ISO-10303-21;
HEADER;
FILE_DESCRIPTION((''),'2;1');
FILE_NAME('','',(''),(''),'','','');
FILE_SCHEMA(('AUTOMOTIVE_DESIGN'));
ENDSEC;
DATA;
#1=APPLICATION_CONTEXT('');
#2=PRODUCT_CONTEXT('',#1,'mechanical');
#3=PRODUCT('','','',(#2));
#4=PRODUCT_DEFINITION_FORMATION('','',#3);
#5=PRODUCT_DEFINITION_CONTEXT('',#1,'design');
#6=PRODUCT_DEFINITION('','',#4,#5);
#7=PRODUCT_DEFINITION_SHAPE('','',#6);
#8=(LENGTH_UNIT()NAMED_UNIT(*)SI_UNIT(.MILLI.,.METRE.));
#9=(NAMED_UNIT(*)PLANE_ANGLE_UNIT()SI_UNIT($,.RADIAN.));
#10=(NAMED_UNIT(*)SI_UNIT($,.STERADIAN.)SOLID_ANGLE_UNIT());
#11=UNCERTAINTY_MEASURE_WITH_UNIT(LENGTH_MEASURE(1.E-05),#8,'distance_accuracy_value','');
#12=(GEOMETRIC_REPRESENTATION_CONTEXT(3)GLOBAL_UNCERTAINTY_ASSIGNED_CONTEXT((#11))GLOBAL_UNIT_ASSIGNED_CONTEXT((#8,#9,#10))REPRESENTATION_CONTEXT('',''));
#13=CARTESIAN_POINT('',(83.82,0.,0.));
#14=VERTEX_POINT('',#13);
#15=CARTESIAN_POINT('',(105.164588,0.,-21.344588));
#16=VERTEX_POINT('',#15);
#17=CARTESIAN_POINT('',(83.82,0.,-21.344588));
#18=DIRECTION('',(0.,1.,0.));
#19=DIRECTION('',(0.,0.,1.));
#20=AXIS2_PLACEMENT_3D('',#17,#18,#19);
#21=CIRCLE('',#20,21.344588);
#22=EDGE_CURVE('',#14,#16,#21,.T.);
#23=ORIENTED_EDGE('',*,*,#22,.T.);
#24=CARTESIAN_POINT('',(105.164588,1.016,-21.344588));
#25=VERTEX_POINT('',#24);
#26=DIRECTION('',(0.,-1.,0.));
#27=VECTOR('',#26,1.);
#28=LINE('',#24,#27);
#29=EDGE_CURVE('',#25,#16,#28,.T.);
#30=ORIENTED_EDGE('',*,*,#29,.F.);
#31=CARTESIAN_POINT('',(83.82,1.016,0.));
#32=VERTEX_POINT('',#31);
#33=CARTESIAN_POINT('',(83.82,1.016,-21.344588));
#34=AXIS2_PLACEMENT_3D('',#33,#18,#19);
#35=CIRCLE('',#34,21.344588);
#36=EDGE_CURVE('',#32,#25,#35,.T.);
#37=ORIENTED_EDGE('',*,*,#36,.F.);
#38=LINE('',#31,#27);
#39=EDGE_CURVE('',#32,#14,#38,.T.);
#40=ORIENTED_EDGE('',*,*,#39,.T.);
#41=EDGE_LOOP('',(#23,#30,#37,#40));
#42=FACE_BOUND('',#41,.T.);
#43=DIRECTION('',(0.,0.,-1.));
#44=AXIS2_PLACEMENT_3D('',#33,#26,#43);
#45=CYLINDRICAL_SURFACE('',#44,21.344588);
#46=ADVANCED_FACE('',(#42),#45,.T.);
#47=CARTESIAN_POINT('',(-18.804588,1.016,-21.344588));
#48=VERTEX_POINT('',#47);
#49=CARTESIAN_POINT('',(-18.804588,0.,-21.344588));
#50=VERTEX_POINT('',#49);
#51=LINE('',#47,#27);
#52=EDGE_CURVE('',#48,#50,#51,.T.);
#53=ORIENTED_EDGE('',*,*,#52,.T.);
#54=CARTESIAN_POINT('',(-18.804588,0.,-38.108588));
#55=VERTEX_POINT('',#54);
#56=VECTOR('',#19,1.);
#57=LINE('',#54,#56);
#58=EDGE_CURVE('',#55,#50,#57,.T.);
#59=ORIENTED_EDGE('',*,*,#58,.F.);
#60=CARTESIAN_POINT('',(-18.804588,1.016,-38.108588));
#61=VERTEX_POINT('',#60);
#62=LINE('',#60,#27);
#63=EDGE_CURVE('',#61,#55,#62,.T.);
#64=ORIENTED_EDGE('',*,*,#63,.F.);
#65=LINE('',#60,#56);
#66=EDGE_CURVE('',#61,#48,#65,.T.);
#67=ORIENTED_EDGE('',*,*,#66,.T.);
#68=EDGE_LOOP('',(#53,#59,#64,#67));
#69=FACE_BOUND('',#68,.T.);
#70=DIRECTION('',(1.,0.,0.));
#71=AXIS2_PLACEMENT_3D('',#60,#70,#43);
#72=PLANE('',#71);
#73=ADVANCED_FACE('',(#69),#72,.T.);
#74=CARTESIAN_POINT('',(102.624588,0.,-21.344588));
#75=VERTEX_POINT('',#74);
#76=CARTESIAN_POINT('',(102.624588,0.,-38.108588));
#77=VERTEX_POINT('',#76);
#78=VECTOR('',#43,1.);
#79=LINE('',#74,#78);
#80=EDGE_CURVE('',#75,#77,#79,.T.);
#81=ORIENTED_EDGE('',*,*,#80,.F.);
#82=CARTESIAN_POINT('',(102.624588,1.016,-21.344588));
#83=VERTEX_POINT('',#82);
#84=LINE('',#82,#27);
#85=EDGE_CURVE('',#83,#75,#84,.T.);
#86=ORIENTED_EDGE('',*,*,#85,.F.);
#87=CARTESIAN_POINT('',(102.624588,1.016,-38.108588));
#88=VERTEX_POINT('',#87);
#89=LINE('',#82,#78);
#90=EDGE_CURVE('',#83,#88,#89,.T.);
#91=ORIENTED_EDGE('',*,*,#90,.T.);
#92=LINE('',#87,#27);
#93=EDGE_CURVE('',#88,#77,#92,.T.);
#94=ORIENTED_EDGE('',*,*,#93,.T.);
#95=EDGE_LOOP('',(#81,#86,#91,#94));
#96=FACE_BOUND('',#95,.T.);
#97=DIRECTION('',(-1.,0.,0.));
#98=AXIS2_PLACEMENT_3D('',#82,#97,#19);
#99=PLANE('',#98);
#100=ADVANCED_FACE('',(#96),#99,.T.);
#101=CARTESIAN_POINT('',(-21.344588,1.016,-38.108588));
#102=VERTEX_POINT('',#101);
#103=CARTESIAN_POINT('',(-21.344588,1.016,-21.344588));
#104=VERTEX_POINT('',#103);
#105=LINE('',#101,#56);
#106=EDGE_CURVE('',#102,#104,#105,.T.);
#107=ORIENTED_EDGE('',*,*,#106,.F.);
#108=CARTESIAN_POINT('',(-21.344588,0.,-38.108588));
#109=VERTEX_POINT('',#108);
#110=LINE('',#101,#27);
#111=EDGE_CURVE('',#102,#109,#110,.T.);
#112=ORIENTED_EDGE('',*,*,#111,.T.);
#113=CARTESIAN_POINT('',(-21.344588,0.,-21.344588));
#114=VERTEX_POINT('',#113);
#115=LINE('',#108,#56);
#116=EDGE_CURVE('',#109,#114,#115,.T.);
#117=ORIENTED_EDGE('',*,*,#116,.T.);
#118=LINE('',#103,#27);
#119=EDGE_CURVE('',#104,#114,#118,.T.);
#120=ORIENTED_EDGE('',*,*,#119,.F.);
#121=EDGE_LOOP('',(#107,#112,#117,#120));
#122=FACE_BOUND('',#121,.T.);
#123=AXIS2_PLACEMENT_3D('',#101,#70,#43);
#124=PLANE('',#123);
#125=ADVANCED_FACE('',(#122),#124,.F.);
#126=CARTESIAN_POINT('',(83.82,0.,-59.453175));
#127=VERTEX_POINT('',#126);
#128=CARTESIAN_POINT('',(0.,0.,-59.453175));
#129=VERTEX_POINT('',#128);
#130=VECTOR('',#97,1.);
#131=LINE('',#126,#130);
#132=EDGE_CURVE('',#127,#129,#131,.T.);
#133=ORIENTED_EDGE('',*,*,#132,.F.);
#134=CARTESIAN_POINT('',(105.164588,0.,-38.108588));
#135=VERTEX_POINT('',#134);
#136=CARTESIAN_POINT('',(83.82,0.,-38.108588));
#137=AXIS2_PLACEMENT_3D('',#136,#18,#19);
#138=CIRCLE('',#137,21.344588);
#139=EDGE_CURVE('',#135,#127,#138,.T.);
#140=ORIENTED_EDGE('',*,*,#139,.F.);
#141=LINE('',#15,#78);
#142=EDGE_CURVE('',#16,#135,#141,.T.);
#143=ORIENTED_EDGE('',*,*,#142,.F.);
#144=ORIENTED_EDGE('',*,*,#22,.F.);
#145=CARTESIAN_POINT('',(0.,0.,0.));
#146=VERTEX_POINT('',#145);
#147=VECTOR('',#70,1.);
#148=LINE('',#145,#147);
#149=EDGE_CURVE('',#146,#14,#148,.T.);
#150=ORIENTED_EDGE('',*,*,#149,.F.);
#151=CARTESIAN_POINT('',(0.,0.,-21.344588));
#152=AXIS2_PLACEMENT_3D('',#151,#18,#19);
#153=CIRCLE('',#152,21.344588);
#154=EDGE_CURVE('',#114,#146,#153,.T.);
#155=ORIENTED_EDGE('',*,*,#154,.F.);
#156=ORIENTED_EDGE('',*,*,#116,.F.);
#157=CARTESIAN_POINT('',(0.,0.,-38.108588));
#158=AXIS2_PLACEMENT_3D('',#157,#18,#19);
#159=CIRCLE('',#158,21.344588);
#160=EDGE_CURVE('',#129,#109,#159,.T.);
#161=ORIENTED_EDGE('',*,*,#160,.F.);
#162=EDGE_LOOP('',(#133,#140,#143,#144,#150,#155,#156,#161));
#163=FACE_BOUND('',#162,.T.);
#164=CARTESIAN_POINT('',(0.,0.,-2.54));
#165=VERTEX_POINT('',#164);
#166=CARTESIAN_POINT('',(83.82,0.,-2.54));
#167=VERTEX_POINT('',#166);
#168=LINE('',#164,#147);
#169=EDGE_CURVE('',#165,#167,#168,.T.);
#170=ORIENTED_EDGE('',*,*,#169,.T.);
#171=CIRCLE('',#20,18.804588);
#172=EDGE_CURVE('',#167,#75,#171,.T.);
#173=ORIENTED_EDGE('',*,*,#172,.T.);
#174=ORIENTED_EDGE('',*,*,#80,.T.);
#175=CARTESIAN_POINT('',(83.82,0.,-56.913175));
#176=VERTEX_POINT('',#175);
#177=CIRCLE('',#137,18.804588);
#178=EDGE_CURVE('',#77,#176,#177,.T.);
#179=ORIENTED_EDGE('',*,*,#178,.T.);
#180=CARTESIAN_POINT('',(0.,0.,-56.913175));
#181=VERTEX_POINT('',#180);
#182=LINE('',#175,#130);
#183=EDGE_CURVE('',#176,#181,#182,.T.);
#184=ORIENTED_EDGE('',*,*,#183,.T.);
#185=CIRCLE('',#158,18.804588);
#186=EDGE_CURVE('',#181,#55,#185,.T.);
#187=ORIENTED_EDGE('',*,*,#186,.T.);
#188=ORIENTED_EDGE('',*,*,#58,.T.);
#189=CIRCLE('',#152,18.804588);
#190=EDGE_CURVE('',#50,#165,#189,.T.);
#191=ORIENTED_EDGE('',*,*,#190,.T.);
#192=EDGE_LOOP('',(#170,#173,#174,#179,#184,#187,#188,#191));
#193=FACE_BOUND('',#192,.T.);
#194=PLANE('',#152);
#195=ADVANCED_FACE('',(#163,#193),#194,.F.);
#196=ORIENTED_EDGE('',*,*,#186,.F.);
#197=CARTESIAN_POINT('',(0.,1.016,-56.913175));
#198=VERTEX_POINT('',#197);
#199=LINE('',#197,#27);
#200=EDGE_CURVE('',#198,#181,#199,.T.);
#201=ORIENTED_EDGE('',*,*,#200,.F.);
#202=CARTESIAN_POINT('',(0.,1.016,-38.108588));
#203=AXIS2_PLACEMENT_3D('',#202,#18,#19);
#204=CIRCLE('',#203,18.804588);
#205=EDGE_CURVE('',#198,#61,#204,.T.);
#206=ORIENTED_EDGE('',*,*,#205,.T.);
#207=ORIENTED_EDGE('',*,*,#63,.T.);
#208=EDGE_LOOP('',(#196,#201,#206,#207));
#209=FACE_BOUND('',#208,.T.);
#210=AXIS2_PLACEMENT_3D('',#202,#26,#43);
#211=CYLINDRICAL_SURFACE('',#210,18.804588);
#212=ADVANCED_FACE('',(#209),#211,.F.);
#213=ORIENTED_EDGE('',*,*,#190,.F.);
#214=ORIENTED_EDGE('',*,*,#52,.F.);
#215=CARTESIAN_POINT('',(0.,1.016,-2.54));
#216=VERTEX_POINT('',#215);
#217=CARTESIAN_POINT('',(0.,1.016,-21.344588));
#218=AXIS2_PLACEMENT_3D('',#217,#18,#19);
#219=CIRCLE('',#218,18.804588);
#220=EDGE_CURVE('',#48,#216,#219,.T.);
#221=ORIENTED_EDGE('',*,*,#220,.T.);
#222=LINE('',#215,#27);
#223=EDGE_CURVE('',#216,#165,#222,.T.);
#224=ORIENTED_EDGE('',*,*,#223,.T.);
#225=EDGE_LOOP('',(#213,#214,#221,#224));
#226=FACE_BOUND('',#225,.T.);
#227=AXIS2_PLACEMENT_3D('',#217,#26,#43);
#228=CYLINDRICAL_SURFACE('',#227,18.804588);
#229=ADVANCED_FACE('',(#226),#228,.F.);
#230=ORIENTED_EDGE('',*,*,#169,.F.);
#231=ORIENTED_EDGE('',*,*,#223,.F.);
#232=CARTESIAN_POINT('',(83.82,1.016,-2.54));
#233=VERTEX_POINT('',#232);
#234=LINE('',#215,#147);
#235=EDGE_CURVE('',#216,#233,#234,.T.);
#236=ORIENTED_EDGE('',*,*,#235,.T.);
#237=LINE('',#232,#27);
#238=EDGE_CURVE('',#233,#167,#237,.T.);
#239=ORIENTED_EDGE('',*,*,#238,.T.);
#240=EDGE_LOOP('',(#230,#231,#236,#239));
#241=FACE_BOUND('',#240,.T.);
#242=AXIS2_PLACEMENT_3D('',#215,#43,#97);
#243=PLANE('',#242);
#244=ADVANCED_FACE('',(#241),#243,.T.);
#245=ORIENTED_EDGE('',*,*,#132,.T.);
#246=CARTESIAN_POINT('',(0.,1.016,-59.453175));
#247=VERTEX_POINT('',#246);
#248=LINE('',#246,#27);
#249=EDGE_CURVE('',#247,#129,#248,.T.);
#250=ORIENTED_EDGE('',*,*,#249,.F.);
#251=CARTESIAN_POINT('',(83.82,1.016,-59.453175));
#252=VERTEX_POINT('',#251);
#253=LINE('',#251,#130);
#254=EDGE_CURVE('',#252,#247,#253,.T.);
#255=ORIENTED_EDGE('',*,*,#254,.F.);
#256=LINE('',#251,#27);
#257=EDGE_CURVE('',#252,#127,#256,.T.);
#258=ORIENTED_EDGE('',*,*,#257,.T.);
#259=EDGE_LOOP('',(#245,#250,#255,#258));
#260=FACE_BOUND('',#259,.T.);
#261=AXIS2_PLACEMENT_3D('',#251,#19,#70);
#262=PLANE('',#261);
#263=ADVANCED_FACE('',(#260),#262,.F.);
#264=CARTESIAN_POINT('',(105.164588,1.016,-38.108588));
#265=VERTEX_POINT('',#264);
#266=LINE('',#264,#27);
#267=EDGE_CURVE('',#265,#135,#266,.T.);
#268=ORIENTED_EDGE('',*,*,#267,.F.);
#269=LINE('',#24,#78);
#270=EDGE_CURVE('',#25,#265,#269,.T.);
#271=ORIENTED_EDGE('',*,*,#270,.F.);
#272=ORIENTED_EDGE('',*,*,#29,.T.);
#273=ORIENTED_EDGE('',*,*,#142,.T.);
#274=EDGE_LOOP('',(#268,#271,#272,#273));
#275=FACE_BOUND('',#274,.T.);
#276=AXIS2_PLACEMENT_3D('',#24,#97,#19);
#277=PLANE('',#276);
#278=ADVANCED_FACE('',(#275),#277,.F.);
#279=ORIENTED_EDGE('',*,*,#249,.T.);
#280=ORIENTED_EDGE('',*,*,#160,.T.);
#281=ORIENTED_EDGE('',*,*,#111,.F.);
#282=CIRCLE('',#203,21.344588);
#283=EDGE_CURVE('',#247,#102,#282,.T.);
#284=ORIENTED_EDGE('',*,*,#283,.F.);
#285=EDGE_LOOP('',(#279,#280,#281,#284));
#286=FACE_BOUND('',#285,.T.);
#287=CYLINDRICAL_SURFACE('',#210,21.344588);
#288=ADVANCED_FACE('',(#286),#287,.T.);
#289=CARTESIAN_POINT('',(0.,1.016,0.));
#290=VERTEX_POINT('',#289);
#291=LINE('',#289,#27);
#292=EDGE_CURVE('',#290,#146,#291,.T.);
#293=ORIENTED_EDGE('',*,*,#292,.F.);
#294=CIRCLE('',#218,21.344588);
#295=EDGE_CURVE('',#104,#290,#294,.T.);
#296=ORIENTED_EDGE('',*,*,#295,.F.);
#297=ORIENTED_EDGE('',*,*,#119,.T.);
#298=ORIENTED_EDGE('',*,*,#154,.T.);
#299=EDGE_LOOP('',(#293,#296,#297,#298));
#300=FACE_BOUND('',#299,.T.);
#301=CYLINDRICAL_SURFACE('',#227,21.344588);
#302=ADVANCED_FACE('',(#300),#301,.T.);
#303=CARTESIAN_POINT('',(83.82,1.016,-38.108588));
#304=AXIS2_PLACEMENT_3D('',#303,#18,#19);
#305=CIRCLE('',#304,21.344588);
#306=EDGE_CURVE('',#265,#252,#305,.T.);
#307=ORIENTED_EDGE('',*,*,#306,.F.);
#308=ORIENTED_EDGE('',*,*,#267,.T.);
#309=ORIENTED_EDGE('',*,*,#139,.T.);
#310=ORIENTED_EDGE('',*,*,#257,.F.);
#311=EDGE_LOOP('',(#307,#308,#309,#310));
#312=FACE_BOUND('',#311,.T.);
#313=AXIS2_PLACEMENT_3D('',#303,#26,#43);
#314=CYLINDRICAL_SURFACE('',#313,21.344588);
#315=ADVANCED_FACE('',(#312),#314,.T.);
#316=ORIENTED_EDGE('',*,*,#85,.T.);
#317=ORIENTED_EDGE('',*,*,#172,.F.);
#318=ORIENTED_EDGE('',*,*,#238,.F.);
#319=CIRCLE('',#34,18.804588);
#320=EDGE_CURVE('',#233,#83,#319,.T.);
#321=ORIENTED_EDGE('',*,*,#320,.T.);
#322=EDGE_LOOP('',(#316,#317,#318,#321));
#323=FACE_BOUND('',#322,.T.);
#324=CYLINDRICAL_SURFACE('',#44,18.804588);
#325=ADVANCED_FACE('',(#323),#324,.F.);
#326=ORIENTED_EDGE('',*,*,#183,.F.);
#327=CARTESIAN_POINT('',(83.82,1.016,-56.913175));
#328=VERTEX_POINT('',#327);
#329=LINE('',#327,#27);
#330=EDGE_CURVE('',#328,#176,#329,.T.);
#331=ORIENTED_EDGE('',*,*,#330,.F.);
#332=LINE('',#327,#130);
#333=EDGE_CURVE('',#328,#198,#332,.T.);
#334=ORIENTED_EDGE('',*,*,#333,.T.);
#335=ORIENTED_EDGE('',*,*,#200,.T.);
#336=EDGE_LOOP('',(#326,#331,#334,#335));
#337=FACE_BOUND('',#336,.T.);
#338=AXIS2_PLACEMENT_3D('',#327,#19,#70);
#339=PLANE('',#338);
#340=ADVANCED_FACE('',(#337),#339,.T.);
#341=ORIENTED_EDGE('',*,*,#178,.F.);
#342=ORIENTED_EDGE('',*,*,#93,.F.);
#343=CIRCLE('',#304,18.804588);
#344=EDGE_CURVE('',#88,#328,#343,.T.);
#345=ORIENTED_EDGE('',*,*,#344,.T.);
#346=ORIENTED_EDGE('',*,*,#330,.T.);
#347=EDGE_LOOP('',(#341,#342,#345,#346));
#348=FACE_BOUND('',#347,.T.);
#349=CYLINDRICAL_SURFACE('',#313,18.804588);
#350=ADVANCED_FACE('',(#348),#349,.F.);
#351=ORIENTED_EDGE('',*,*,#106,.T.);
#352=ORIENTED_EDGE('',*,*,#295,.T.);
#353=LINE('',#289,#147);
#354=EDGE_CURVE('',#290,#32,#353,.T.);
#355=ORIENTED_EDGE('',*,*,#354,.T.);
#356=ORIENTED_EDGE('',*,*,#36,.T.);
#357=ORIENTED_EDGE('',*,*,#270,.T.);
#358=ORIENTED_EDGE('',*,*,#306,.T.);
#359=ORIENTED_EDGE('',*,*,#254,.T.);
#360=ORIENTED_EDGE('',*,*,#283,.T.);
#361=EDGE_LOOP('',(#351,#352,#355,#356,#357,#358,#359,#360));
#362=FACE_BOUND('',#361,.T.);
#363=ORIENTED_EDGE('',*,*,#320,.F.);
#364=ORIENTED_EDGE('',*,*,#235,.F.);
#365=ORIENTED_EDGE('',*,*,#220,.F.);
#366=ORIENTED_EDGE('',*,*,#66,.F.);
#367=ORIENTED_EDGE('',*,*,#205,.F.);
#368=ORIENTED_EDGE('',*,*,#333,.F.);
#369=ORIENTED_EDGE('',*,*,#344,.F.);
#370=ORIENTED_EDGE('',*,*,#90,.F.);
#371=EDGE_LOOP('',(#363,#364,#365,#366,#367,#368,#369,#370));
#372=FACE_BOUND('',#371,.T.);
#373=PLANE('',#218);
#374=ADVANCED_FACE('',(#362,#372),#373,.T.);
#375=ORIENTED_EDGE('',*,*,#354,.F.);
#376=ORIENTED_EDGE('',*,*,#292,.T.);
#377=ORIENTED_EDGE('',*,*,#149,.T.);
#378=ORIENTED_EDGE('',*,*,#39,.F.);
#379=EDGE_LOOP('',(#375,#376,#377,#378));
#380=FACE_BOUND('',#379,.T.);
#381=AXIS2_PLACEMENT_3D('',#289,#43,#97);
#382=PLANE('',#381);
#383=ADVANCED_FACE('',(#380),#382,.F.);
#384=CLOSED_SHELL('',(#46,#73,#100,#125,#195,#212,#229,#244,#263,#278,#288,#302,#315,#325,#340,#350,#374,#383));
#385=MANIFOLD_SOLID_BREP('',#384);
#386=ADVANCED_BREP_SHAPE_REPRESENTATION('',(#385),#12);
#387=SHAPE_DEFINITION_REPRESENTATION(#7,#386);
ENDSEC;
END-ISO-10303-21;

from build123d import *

# Parameters (mm, degrees)
BOSS_EXTRUDE1_DEPTH = 1.016


with BuildPart() as part:
    # Sketch1 → Boss-Extrude1 (new body)
    with BuildSketch(Plane(origin=(0, 0, 0), x_dir=(1, 0, 0), z_dir=(0, 1, 0))):
        with BuildLine():
            Line((0, 0), (83.82, 0))
            ThreePointArc((83.82, 0), (98.912902724, 6.251685004), (105.164587728, 21.344587728))
            Line((105.164587728, 21.344587728), (105.164587728, 38.108587728))
            ThreePointArc((105.164587728, 38.108587728), (98.912902724, 53.201490452), (83.82, 59.453175456))
            Line((83.82, 59.453175456), (0, 59.453175456))
            ThreePointArc((0, 59.453175456), (-15.092902724, 53.201490452), (-21.344587728, 38.108587728))
            Line((-21.344587728, 38.108587728), (-21.344587728, 21.344587728))
            ThreePointArc((-21.344587728, 21.344587728), (-15.092902724, 6.251685004), (0, 0))
        make_face()
        with BuildLine():
            Line((0, 2.54), (83.82, 2.54))
            ThreePointArc((83.82, 2.54), (97.1168515, 8.047736228), (102.624587728, 21.344587728))
            Line((102.624587728, 21.344587728), (102.624587728, 38.108587728))
            ThreePointArc((102.624587728, 38.108587728), (97.1168515, 51.405439228), (83.82, 56.913175456))
            Line((83.82, 56.913175456), (0, 56.913175456))
            ThreePointArc((0, 56.913175456), (-13.2968515, 51.405439228), (-18.804587728, 38.108587728))
            Line((-18.804587728, 38.108587728), (-18.804587728, 21.344587728))
            ThreePointArc((-18.804587728, 21.344587728), (-13.2968515, 8.047736228), (0, 2.54))
        make_face(mode=Mode.SUBTRACT)
    extrude(amount=BOSS_EXTRUDE1_DEPTH)


solid = part.part
